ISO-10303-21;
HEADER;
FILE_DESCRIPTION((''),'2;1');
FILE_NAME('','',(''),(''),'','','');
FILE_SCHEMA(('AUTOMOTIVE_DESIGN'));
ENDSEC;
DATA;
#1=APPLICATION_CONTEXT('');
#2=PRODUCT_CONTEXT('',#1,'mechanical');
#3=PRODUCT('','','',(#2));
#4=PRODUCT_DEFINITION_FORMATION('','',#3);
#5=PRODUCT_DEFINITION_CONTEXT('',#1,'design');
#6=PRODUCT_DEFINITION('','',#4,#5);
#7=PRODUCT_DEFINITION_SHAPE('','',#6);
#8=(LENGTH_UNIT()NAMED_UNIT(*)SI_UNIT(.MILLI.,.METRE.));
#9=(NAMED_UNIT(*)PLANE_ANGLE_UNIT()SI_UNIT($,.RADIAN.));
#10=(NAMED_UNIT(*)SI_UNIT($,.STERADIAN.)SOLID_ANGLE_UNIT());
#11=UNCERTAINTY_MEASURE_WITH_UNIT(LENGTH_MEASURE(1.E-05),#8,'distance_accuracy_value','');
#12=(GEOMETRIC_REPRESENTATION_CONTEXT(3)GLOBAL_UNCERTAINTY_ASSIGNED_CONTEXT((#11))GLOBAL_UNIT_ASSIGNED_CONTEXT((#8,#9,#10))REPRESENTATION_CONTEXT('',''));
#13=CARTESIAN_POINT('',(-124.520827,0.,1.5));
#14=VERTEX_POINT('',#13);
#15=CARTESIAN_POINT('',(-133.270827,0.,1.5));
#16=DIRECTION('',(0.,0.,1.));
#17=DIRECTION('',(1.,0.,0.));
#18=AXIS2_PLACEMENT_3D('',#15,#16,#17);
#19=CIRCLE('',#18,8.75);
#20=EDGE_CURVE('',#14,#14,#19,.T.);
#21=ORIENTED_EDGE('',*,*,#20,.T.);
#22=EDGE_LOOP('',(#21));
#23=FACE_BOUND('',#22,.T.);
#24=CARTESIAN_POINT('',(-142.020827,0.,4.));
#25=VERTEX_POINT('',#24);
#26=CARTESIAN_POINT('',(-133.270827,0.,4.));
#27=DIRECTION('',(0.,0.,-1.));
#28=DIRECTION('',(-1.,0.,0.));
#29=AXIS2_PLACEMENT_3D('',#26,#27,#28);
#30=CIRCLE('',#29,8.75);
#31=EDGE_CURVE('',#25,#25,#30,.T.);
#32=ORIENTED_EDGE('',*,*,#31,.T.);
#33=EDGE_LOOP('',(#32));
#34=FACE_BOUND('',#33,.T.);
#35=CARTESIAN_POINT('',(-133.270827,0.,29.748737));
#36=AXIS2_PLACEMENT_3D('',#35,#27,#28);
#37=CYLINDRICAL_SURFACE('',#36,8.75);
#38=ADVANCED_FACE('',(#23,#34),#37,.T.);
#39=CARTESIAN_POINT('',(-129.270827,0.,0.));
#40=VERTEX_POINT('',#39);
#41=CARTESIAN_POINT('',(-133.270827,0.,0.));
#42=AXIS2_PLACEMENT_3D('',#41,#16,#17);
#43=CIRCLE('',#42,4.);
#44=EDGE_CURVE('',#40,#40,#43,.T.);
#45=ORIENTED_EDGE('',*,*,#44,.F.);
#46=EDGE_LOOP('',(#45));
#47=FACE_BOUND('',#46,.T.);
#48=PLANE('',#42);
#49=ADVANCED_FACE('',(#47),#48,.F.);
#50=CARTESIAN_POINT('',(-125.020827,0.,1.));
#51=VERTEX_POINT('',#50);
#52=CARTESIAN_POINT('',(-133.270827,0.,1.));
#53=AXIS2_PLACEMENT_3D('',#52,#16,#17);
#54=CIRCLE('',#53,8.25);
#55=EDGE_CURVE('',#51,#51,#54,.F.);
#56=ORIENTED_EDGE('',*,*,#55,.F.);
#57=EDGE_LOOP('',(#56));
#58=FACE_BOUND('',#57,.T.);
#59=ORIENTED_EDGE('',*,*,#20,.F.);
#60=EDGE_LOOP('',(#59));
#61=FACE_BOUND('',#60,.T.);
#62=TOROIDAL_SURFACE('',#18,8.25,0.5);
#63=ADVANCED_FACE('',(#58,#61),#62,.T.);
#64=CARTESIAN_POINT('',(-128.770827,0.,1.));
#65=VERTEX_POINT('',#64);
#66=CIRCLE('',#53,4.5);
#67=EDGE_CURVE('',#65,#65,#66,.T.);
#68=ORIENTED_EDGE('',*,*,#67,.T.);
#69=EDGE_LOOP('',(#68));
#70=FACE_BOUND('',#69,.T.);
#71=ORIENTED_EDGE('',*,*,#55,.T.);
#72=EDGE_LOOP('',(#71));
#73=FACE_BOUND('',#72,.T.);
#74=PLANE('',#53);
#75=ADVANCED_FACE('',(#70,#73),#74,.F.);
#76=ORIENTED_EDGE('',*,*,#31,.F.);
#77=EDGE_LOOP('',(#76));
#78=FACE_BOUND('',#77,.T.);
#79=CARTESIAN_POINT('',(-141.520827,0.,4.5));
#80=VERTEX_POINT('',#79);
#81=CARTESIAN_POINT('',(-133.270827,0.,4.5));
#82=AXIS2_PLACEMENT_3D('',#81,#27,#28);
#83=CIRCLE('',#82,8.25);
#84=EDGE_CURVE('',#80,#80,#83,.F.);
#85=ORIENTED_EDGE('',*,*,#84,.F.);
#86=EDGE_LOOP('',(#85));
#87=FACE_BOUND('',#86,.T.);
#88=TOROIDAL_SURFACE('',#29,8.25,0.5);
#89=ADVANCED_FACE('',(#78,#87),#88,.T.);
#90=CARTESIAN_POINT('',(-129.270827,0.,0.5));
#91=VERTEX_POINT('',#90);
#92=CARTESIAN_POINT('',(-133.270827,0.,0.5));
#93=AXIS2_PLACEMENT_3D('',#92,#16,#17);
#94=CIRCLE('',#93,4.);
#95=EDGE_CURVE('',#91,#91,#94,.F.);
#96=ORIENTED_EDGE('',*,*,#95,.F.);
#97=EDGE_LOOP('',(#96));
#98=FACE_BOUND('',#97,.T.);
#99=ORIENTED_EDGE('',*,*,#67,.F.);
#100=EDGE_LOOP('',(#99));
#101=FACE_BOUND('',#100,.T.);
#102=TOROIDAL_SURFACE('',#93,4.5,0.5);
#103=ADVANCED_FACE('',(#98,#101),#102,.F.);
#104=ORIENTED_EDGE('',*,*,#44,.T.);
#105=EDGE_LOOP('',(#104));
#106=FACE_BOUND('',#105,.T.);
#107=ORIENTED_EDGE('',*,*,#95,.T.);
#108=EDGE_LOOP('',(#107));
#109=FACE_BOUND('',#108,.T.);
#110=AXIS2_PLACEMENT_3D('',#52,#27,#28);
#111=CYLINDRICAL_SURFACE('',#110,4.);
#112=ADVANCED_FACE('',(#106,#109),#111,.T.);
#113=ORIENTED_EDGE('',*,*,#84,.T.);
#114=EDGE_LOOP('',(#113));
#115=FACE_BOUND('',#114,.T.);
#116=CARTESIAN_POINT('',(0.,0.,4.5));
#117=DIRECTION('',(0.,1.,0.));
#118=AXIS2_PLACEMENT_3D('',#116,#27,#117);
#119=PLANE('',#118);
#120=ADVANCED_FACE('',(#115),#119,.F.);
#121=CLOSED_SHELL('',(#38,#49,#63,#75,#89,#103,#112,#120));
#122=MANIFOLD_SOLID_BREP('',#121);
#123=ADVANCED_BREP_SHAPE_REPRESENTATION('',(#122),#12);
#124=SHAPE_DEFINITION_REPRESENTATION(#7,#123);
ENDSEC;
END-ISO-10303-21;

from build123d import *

# Parameters (mm, degrees)
SKETCH1_R           = 4
BOSS_EXTRUDE1_DEPTH = 1
BOSS_EXTRUDE2_DEPTH = 3.5
FILLET1_R           = 0.5
FILLET3_R           = 0.5


with BuildPart() as part:
    # Sketch1 → Boss-Extrude1 (new body)
    with BuildSketch(Plane.XY):
        with Locations((-133.270827388, 0)):
            Circle(SKETCH1_R)
    extrude(amount=BOSS_EXTRUDE1_DEPTH)

    # Sketch2 → Boss-Extrude2 (add)
    with BuildSketch(Plane.XY.offset(1)):
        with BuildLine():
            ThreePointArc((-125.3812469, 3.783783784), (-124.520827388, 0), (-125.3812469, -3.783783784))
            ThreePointArc((-125.3812469, -3.783783784), (-142.020827388, 0), (-125.3812469, 3.783783784))
        make_face()
    extrude(amount=BOSS_EXTRUDE2_DEPTH)

    # Fillet1
    fillet1_edges = [part.edges().sort_by_distance(p)[0] for p in [
        (-137.270827388, 0, 1),
        (-141.160407876, -3.783783784, 1),
    ]]
    fillet(fillet1_edges, radius=FILLET1_R)

    # Fillet3
    fillet3_edges = [part.edges().sort_by_distance(p)[0] for p in [
        (-141.160407876, -3.783783784, 4.5),
    ]]
    fillet(fillet3_edges, radius=FILLET3_R)


solid = part.part
